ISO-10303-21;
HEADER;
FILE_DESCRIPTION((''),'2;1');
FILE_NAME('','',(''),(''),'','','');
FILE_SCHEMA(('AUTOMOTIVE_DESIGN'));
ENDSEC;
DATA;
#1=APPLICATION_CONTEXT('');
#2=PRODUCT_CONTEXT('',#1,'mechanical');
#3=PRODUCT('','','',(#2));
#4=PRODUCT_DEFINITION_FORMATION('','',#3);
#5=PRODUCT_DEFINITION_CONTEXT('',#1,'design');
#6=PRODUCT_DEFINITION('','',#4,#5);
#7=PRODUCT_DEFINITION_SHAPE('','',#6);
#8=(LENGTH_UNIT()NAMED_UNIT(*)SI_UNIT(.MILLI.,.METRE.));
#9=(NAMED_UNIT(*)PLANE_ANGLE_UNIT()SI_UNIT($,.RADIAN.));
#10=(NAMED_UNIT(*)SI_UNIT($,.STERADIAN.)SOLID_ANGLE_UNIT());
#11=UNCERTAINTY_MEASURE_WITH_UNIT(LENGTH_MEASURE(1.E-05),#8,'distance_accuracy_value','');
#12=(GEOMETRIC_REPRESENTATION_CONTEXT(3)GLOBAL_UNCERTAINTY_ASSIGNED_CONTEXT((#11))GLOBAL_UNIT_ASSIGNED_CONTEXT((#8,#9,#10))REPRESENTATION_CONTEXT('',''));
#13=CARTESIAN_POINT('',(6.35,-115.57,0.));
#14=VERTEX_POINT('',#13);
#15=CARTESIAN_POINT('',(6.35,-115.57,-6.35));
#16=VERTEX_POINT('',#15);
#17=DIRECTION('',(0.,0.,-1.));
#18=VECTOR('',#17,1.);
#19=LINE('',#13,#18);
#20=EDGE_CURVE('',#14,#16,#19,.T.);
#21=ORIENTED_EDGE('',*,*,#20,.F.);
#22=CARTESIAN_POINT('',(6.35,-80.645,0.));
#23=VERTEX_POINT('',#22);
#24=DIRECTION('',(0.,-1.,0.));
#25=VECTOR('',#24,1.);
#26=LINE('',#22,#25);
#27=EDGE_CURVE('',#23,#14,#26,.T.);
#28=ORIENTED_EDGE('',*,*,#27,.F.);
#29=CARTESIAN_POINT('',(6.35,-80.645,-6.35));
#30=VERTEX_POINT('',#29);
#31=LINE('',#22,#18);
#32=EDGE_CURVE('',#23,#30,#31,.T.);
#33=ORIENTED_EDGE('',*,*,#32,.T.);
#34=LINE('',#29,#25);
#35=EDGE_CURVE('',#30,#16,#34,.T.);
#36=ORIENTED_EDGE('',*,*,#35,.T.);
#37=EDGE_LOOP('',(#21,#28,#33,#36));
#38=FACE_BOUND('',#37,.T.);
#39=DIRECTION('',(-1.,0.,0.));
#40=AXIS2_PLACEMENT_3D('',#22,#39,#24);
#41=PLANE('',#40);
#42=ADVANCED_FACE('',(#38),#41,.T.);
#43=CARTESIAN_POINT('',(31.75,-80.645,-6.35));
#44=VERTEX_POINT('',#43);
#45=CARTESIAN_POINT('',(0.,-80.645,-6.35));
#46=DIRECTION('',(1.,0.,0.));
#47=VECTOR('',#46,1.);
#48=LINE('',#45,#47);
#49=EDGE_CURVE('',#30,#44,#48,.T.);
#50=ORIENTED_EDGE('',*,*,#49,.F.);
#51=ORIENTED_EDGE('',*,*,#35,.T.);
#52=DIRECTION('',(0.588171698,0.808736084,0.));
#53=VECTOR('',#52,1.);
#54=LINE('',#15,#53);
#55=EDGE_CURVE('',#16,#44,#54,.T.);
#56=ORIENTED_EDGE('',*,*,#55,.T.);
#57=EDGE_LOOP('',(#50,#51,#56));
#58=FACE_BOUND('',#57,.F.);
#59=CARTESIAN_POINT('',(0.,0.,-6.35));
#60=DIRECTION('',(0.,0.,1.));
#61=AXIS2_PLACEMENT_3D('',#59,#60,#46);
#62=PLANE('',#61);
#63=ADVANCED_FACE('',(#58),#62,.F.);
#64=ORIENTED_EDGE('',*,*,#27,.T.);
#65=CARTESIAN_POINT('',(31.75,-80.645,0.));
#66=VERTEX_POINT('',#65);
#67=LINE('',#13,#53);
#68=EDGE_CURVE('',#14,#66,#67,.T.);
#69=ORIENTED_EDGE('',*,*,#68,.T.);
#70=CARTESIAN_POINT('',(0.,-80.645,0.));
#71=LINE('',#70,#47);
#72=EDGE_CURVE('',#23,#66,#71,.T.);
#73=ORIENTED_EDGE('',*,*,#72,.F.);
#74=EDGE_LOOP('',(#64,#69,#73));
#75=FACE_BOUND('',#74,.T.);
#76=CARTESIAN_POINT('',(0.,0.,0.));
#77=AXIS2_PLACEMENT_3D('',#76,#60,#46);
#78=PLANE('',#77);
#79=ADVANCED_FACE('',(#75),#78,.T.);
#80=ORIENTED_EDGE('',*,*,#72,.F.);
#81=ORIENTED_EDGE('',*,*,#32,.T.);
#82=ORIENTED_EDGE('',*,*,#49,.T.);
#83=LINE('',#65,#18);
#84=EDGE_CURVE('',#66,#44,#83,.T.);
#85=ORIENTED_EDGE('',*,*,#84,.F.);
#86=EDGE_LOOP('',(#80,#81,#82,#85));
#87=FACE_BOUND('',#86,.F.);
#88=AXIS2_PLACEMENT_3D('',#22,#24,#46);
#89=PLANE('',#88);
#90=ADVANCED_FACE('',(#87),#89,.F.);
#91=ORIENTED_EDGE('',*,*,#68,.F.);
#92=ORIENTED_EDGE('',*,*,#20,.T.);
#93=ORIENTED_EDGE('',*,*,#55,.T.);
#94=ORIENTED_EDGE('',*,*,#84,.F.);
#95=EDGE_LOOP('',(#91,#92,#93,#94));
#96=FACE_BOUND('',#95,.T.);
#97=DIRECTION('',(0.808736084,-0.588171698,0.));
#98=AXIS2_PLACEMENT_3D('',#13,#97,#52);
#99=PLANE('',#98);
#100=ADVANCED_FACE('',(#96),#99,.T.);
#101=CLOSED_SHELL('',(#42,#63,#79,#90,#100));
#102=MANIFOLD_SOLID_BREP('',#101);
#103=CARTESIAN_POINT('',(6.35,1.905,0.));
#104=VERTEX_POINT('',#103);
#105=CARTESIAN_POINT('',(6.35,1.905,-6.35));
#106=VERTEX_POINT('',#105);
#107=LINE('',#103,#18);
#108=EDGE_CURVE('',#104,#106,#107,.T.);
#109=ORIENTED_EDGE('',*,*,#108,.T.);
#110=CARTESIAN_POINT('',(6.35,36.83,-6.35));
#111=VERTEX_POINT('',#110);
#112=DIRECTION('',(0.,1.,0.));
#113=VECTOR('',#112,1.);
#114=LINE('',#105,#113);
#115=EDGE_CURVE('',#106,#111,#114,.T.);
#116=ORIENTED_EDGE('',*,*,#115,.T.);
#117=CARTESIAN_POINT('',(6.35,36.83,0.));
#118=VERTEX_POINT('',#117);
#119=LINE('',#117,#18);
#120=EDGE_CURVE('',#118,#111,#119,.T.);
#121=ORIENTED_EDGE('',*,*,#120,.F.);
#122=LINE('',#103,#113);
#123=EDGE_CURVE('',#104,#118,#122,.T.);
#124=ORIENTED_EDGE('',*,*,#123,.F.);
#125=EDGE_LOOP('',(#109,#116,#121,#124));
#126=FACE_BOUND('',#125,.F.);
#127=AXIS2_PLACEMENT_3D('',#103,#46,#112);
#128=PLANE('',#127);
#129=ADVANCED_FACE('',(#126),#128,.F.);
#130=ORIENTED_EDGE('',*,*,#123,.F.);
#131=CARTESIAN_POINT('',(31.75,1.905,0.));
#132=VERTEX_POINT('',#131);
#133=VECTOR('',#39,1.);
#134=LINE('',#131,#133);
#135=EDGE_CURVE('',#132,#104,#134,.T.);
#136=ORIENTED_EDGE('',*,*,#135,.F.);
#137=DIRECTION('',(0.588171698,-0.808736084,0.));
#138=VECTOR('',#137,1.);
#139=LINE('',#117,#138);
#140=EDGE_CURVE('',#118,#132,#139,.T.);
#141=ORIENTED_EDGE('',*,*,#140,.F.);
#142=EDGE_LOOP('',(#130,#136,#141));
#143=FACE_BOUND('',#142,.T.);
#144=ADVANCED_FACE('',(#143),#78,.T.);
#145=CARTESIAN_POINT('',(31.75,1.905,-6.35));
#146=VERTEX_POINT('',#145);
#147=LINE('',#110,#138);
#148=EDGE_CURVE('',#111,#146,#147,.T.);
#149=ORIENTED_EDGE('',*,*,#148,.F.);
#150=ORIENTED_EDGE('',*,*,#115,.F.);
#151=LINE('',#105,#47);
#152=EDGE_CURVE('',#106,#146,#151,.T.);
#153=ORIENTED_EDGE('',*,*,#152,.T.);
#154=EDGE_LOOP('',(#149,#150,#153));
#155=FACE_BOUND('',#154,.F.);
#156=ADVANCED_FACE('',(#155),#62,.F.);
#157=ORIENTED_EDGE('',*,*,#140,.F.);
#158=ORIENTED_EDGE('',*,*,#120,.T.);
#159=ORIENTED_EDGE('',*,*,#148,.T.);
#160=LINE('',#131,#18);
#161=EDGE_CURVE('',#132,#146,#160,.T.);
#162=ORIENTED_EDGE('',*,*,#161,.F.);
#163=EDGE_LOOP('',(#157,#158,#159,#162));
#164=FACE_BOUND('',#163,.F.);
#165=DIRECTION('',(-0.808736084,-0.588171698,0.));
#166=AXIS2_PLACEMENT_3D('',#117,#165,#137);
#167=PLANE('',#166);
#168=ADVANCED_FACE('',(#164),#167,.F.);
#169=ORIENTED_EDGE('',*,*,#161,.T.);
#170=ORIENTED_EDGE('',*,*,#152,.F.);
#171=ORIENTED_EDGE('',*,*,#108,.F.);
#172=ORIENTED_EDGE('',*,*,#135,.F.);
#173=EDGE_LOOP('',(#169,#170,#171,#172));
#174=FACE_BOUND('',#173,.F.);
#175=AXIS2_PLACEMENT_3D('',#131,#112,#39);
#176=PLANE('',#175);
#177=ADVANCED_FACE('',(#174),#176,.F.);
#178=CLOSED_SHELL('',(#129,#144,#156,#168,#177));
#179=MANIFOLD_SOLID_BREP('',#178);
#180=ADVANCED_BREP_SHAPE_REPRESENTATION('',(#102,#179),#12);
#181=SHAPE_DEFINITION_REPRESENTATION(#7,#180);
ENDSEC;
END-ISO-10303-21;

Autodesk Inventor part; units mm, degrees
ref_plane "YZ Plane" through (0, 0, 0) normal (1, 0, 0) x (0, 1, 0)
ref_plane "XZ Plane" through (0, 0, 0) normal (0, 1, 0) x (-1, 0, 0)
ref_plane "XY Plane" through (0, 0, 0) normal (0, 0, 1) x (1, 0, 0)
ref_plane "Work Plane1" through (0, 0, 0) normal (0, 0, 1) x (1, 0, 0)
sketch "Sketch1" plane through (0, 0, 0) normal (0, 0, 1) x (1, 0, 0)
  line L0 (53.34, 1.905) -> (0, 1.905)
  line L1 (0, -80.645) -> (53.34, -80.645)
  line L2 (6.35, 36.83) -> (0, 36.83)
  line L3 (6.35, -115.57) -> (0, -115.57)
  line L4 (0, 1.905) -> (8.89, 1.905)
  line L5 (0, 1.905) -> (8.89, 1.905)
  line L6 (0, 1.905) -> (8.89, 1.905)
  line L7 (6.35, -80.645) -> (6.35, -115.57)
  line L8 (6.35, -115.57) -> (31.75, -80.645)
  line L9 (31.75, -80.645) -> (6.35, -80.645)
  line L10 (6.35, 36.83) -> (31.75, 1.905)
  line L11 (31.75, 1.905) -> (6.35, 1.905)
  line L12 (6.35, 1.905) -> (6.35, 36.83)
  point P0 (0, 0)
  point P1 (6.35, 1.905)
extrude "Extrusion1" add sketch "Sketch1" against normal blind 6.35
properties part number "supportForFileHanger" material "PET Plastic"
